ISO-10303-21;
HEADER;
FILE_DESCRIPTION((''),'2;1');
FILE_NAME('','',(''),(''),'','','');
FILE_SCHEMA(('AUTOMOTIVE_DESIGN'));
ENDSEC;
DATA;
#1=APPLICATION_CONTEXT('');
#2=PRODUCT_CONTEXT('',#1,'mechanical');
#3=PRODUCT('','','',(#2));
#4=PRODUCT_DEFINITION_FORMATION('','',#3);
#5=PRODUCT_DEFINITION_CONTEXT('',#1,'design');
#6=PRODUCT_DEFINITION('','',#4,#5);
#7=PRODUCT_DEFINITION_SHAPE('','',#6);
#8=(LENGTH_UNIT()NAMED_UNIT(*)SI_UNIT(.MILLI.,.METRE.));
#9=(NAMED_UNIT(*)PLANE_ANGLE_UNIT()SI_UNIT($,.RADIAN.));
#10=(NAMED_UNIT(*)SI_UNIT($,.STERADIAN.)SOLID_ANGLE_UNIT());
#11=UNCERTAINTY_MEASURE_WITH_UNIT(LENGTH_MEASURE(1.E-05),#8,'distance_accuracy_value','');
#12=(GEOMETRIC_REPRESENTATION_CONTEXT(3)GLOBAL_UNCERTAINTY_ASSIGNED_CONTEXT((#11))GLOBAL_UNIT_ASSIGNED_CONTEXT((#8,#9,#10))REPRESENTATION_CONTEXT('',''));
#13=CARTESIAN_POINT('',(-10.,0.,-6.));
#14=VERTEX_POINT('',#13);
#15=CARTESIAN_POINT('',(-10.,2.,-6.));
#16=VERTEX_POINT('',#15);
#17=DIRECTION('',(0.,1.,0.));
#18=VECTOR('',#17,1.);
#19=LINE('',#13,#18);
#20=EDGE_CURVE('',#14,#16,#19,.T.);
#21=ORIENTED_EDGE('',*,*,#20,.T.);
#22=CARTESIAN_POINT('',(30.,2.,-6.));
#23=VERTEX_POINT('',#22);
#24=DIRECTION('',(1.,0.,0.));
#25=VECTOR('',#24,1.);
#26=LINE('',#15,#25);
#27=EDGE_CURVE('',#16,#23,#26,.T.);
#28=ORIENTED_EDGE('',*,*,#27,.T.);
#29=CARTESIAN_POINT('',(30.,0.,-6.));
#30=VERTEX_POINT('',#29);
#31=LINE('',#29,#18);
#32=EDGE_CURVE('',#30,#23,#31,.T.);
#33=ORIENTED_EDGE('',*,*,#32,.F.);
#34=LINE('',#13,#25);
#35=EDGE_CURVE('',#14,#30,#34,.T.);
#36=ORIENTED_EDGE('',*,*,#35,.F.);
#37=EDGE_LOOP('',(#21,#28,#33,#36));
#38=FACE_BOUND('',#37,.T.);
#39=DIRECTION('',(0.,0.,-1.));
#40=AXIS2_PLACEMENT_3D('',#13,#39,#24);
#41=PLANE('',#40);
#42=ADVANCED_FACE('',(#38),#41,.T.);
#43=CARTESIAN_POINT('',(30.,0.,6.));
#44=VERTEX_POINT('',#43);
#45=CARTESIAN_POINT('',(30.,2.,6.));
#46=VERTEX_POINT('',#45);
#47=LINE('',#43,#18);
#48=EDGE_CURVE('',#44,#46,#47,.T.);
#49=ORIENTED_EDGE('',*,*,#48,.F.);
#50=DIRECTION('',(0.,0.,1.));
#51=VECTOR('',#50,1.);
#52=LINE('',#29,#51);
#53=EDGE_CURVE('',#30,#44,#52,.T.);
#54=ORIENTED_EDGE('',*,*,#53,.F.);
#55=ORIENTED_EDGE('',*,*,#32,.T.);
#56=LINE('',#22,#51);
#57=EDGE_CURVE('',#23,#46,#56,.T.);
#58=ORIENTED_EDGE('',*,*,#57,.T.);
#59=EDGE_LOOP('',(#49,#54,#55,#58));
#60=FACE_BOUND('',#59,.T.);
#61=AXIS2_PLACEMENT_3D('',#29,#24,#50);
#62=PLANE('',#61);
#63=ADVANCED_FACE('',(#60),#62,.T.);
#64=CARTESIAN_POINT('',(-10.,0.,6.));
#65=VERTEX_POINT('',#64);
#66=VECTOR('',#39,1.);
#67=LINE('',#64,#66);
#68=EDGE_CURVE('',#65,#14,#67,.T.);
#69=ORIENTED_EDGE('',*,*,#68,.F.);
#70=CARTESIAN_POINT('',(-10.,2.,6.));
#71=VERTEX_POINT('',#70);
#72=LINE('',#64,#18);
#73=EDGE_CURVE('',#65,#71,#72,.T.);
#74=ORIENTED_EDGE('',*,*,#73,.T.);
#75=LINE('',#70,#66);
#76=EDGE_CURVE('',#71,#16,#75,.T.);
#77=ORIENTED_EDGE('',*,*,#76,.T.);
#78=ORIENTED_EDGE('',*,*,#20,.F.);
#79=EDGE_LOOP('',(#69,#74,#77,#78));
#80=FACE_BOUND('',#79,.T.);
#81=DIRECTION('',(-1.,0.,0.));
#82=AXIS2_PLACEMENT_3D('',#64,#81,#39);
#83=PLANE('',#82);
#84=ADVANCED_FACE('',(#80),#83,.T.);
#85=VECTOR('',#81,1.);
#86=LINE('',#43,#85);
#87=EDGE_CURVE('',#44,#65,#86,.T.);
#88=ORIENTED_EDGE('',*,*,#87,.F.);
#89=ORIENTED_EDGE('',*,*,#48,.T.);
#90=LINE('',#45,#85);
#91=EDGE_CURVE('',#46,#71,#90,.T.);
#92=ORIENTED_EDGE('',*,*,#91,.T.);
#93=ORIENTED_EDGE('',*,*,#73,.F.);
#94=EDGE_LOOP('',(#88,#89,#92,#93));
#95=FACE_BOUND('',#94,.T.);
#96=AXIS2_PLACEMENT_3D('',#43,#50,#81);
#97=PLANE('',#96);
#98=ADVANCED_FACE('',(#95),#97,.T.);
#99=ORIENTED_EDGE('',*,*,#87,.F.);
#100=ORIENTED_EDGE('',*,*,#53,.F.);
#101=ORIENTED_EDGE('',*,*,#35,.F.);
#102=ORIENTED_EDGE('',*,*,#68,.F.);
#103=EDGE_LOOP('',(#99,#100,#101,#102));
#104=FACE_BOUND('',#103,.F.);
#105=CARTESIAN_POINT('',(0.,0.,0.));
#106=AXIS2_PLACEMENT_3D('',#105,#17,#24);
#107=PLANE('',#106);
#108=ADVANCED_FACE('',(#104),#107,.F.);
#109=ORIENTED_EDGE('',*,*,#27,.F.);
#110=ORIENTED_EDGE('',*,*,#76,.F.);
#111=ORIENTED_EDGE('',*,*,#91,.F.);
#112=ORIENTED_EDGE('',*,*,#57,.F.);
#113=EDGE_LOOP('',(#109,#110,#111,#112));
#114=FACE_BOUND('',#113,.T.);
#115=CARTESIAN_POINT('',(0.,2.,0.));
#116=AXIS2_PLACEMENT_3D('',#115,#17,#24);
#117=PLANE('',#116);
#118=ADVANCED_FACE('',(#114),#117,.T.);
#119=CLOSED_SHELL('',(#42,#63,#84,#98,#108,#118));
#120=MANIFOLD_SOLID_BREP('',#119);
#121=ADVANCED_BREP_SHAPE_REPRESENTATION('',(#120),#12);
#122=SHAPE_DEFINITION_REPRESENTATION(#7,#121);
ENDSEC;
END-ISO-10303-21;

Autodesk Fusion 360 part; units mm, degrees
sketch "Esquisse1" plane through (0, 0, 0) normal (0, 1, 0) x (1, 0, 0)
  line L0 (-10, 6) -> (30, 6)
  line L1 (30, 6) -> (30, -6)
  line L2 (30, -6) -> (-10, -6)
  line L3 (-10, -6) -> (-10, 6)
extrude "Extrusion1" add sketch "Esquisse1" along normal blind 2
